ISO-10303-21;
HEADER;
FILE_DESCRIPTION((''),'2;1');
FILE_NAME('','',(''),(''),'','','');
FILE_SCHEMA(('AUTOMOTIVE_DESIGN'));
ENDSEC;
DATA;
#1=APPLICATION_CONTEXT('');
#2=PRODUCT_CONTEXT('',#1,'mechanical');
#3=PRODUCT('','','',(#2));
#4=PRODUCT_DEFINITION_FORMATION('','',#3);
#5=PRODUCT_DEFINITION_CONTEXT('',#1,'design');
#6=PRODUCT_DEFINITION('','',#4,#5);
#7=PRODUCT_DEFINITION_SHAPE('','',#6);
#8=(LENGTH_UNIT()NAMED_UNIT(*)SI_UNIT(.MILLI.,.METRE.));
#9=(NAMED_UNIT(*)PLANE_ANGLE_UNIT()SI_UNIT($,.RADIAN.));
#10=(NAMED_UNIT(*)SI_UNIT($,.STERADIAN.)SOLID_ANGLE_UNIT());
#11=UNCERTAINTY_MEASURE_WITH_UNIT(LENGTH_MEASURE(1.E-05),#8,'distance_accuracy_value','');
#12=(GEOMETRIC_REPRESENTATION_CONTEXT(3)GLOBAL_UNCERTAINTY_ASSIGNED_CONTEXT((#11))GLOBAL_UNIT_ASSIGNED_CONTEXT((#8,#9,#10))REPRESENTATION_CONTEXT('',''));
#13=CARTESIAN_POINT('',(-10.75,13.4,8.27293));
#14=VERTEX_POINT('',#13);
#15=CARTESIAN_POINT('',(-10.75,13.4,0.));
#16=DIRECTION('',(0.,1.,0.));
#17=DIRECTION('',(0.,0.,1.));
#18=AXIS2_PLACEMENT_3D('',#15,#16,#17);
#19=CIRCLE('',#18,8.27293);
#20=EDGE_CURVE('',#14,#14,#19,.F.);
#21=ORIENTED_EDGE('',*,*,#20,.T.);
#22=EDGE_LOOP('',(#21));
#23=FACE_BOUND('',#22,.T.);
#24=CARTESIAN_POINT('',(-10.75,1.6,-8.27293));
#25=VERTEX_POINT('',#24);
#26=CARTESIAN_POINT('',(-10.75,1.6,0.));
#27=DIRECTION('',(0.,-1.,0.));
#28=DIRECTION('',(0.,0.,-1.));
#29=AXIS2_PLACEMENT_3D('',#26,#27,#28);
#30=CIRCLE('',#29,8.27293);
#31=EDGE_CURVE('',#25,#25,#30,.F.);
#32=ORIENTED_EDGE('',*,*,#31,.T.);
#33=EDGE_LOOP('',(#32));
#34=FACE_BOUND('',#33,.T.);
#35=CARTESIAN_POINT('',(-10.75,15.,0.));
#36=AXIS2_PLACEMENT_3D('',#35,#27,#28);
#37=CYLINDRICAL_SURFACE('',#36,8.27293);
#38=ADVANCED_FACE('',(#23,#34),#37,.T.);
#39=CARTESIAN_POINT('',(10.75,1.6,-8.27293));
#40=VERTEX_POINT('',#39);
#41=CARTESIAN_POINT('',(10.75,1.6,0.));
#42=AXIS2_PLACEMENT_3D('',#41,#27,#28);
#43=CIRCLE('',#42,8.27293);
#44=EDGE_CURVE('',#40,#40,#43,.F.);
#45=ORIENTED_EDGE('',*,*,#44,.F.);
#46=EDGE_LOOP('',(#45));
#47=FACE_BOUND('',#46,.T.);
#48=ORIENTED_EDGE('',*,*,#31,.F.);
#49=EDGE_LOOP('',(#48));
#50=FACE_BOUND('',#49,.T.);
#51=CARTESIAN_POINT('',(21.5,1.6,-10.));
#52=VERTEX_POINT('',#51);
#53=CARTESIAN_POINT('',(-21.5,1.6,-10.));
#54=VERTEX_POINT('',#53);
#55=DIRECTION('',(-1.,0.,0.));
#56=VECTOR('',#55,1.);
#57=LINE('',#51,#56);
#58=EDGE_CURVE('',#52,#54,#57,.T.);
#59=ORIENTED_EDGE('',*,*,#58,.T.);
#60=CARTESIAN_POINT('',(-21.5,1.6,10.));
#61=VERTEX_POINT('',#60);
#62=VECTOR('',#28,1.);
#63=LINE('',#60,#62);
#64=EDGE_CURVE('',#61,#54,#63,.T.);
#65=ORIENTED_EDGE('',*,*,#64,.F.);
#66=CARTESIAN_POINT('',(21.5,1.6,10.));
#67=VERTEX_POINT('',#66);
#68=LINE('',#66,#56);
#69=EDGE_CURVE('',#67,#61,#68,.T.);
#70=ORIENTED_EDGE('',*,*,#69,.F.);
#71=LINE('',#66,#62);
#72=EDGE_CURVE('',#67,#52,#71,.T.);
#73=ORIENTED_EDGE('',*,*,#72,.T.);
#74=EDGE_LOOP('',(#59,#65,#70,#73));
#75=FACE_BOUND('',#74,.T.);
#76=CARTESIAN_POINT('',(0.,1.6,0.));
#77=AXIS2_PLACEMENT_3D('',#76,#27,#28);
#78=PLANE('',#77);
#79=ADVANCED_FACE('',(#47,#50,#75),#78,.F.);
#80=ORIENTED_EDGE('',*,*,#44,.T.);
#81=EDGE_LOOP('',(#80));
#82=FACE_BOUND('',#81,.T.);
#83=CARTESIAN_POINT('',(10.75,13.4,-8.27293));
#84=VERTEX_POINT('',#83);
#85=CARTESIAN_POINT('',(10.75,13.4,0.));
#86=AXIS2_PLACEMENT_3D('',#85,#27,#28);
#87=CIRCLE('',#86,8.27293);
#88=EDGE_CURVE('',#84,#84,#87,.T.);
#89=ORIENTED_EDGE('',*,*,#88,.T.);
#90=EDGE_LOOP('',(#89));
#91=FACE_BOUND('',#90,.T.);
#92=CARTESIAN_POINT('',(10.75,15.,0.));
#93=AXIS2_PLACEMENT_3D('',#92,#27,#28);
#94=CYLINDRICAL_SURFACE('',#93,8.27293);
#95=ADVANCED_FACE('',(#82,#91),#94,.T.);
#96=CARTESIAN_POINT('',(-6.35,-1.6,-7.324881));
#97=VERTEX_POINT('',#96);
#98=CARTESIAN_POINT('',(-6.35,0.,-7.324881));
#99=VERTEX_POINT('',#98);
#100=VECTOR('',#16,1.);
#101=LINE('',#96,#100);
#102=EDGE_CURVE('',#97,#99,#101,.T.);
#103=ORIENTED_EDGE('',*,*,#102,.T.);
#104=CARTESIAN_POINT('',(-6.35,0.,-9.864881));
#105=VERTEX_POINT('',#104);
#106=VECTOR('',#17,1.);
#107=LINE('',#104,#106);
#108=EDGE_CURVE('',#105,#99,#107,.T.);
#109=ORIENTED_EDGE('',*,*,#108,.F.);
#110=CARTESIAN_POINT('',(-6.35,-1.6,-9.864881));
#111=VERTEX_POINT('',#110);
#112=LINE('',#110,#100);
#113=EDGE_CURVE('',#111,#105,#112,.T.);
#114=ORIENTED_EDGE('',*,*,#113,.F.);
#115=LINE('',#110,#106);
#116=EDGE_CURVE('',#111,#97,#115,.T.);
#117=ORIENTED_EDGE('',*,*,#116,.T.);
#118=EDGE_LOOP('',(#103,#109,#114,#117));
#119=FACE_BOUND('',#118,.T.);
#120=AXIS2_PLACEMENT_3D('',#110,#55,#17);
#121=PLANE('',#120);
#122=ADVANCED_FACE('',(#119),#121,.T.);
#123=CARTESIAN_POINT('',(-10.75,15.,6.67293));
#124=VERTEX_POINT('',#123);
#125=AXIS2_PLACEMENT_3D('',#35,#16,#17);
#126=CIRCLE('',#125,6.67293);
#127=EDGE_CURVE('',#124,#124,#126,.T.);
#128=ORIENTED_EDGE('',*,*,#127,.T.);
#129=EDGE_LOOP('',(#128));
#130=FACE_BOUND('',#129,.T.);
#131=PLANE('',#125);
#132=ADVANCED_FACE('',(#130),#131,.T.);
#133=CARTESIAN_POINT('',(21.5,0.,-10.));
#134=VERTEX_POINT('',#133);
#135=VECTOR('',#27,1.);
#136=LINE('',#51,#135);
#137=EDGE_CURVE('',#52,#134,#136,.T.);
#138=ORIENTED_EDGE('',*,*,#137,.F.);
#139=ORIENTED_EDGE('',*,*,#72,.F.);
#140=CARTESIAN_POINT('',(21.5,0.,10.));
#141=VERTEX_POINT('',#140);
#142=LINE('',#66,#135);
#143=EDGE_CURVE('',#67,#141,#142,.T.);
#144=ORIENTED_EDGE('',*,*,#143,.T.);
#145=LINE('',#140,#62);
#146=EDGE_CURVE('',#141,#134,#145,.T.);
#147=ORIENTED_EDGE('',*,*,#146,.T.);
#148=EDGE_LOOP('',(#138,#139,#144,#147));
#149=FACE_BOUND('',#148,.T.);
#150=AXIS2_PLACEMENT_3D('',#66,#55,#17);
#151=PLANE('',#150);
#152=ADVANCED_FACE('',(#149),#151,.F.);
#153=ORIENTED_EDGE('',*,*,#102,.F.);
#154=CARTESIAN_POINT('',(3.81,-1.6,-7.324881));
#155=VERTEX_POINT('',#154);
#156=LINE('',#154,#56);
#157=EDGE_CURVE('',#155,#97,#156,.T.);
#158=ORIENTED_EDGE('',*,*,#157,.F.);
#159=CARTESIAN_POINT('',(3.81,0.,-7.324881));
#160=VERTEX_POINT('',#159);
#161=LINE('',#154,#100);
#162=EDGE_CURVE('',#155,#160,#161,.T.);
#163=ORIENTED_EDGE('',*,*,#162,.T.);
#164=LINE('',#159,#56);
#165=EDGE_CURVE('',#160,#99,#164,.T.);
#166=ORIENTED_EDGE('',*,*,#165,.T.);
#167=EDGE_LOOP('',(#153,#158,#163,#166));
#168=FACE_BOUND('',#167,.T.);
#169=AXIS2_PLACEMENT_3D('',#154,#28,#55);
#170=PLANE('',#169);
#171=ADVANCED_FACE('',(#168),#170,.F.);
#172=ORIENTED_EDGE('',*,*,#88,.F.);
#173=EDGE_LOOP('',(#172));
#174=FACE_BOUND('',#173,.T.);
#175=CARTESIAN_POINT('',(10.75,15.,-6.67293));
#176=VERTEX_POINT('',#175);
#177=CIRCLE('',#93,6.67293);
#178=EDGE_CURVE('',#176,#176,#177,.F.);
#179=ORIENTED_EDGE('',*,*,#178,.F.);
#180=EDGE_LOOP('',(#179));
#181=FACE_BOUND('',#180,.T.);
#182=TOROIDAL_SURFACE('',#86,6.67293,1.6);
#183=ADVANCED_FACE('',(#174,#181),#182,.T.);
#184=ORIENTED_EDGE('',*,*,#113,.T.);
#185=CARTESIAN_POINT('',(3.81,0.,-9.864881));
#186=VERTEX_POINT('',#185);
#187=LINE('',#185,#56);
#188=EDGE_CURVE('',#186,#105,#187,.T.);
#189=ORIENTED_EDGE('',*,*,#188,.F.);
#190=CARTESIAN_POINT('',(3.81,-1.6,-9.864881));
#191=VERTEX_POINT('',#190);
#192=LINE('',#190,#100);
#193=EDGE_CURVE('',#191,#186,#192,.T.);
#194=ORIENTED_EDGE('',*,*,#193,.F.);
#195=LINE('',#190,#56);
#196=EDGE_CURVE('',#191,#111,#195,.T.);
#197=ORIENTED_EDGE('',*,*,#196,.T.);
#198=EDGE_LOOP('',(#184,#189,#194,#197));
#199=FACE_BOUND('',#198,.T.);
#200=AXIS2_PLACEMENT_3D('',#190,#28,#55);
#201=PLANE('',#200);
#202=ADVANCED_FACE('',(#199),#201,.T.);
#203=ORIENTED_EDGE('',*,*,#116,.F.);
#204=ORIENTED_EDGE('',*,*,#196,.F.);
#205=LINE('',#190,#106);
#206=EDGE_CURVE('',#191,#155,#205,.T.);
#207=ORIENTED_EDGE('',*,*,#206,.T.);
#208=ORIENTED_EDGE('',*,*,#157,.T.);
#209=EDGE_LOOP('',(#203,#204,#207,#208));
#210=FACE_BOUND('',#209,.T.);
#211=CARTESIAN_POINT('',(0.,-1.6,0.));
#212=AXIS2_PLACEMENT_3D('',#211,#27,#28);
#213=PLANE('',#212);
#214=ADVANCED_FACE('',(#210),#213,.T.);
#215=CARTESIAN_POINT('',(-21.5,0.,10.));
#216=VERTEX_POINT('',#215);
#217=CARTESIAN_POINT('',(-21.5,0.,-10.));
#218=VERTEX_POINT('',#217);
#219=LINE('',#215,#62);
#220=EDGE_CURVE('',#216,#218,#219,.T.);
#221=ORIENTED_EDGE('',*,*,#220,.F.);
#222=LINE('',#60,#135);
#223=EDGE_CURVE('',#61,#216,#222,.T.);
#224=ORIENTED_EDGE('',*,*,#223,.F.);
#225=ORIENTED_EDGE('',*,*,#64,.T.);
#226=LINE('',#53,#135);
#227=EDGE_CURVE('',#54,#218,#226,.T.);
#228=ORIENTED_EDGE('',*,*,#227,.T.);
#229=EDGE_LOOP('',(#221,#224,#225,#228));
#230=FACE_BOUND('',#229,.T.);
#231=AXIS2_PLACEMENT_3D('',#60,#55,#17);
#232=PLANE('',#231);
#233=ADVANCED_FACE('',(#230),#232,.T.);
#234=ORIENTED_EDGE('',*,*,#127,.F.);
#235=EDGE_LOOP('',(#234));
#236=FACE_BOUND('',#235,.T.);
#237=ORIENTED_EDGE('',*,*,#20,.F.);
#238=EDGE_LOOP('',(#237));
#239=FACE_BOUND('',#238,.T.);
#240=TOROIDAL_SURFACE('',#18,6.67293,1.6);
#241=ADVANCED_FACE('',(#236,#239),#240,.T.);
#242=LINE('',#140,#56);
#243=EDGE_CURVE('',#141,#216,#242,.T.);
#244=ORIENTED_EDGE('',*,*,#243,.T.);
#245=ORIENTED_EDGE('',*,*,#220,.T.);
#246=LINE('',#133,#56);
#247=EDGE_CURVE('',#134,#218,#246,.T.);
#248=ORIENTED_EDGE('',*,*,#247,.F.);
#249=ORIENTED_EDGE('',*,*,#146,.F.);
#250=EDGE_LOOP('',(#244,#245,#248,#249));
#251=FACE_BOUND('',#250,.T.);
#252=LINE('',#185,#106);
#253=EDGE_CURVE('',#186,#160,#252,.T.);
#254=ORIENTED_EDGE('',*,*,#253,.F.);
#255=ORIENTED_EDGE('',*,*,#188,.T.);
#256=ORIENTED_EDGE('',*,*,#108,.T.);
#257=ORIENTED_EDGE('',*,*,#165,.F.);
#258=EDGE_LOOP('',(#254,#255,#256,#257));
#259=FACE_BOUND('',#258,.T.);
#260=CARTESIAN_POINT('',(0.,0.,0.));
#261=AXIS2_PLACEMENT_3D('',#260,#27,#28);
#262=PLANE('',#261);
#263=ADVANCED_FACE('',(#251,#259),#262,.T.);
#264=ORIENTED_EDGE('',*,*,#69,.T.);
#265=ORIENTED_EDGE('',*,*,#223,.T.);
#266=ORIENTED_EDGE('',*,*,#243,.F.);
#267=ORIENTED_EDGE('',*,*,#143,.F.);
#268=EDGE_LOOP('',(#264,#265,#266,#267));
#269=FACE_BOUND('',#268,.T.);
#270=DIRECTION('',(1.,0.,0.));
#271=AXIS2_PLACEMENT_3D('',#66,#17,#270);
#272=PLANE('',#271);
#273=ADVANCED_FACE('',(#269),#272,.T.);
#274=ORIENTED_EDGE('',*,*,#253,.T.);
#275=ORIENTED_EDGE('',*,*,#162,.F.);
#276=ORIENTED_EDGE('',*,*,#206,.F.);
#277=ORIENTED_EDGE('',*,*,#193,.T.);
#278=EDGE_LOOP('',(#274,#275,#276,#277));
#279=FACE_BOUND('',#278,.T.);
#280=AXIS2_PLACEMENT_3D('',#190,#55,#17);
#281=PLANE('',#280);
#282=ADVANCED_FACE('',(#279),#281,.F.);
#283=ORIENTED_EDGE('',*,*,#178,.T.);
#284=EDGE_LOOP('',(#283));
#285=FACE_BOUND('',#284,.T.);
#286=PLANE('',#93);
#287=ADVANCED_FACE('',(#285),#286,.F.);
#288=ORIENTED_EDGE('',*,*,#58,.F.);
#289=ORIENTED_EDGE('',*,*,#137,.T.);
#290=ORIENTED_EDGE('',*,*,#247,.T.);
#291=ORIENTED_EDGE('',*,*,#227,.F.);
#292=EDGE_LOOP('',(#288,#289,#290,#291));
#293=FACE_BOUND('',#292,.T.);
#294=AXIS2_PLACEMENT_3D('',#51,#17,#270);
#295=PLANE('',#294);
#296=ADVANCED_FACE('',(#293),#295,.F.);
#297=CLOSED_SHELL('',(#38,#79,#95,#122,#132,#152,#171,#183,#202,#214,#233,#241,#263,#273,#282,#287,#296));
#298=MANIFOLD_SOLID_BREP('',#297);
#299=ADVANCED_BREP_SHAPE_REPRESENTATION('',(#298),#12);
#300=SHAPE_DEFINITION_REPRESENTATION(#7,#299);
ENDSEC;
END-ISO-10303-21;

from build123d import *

# Parameters (mm, degrees)
SKETCH_1_W      = 43
SKETCH_1_H      = 20
EXTRUDE_1_DEPTH = 1.6
SKETCH_2_R      = 8.272930051
EXTRUDE_2_DEPTH = 13.4
FILLET_1_R      = 1.6
SKETCH_9_W      = 10.16
SKETCH_9_H      = 2.54
EXTRUDE_3_DEPTH = 1.6


with BuildPart() as part:
    # 스케치1 → 보스-돌출1 (new body)
    with BuildSketch(Plane(origin=(0, 0, 0), x_dir=(1, 0, 0), z_dir=(0, 1, 0))):
        Rectangle(SKETCH_1_W, SKETCH_1_H)
    extrude(amount=EXTRUDE_1_DEPTH)

    # 스케치2 → 보스-돌출2 (add)
    with BuildSketch(Plane(origin=(0, 1.6, 0), x_dir=(1, 0, 0), z_dir=(0, 1, 0))):
        with Locations(Location((-10.75, 0, 0), (0, 0, 90))):
            Circle(SKETCH_2_R)
        with Locations(Location((10.75, 0, 0), (0, 0, 90))):
            Circle(SKETCH_2_R)
    extrude(amount=EXTRUDE_2_DEPTH)

    # 필렛1
    fillet_1_edges = [part.edges().sort_by_distance(p)[0] for p in [
        (-10.75, 15, 8.272930051),
        (10.75, 15, 8.272930051),
    ]]
    fillet(fillet_1_edges, radius=FILLET_1_R)

    # 스케치9 → 보스-돌출3 (add)
    with BuildSketch(Plane.XZ):
        with Locations((-1.27, -8.59488099)):
            Rectangle(SKETCH_9_W, SKETCH_9_H)
    extrude(amount=EXTRUDE_3_DEPTH)


solid = part.part
